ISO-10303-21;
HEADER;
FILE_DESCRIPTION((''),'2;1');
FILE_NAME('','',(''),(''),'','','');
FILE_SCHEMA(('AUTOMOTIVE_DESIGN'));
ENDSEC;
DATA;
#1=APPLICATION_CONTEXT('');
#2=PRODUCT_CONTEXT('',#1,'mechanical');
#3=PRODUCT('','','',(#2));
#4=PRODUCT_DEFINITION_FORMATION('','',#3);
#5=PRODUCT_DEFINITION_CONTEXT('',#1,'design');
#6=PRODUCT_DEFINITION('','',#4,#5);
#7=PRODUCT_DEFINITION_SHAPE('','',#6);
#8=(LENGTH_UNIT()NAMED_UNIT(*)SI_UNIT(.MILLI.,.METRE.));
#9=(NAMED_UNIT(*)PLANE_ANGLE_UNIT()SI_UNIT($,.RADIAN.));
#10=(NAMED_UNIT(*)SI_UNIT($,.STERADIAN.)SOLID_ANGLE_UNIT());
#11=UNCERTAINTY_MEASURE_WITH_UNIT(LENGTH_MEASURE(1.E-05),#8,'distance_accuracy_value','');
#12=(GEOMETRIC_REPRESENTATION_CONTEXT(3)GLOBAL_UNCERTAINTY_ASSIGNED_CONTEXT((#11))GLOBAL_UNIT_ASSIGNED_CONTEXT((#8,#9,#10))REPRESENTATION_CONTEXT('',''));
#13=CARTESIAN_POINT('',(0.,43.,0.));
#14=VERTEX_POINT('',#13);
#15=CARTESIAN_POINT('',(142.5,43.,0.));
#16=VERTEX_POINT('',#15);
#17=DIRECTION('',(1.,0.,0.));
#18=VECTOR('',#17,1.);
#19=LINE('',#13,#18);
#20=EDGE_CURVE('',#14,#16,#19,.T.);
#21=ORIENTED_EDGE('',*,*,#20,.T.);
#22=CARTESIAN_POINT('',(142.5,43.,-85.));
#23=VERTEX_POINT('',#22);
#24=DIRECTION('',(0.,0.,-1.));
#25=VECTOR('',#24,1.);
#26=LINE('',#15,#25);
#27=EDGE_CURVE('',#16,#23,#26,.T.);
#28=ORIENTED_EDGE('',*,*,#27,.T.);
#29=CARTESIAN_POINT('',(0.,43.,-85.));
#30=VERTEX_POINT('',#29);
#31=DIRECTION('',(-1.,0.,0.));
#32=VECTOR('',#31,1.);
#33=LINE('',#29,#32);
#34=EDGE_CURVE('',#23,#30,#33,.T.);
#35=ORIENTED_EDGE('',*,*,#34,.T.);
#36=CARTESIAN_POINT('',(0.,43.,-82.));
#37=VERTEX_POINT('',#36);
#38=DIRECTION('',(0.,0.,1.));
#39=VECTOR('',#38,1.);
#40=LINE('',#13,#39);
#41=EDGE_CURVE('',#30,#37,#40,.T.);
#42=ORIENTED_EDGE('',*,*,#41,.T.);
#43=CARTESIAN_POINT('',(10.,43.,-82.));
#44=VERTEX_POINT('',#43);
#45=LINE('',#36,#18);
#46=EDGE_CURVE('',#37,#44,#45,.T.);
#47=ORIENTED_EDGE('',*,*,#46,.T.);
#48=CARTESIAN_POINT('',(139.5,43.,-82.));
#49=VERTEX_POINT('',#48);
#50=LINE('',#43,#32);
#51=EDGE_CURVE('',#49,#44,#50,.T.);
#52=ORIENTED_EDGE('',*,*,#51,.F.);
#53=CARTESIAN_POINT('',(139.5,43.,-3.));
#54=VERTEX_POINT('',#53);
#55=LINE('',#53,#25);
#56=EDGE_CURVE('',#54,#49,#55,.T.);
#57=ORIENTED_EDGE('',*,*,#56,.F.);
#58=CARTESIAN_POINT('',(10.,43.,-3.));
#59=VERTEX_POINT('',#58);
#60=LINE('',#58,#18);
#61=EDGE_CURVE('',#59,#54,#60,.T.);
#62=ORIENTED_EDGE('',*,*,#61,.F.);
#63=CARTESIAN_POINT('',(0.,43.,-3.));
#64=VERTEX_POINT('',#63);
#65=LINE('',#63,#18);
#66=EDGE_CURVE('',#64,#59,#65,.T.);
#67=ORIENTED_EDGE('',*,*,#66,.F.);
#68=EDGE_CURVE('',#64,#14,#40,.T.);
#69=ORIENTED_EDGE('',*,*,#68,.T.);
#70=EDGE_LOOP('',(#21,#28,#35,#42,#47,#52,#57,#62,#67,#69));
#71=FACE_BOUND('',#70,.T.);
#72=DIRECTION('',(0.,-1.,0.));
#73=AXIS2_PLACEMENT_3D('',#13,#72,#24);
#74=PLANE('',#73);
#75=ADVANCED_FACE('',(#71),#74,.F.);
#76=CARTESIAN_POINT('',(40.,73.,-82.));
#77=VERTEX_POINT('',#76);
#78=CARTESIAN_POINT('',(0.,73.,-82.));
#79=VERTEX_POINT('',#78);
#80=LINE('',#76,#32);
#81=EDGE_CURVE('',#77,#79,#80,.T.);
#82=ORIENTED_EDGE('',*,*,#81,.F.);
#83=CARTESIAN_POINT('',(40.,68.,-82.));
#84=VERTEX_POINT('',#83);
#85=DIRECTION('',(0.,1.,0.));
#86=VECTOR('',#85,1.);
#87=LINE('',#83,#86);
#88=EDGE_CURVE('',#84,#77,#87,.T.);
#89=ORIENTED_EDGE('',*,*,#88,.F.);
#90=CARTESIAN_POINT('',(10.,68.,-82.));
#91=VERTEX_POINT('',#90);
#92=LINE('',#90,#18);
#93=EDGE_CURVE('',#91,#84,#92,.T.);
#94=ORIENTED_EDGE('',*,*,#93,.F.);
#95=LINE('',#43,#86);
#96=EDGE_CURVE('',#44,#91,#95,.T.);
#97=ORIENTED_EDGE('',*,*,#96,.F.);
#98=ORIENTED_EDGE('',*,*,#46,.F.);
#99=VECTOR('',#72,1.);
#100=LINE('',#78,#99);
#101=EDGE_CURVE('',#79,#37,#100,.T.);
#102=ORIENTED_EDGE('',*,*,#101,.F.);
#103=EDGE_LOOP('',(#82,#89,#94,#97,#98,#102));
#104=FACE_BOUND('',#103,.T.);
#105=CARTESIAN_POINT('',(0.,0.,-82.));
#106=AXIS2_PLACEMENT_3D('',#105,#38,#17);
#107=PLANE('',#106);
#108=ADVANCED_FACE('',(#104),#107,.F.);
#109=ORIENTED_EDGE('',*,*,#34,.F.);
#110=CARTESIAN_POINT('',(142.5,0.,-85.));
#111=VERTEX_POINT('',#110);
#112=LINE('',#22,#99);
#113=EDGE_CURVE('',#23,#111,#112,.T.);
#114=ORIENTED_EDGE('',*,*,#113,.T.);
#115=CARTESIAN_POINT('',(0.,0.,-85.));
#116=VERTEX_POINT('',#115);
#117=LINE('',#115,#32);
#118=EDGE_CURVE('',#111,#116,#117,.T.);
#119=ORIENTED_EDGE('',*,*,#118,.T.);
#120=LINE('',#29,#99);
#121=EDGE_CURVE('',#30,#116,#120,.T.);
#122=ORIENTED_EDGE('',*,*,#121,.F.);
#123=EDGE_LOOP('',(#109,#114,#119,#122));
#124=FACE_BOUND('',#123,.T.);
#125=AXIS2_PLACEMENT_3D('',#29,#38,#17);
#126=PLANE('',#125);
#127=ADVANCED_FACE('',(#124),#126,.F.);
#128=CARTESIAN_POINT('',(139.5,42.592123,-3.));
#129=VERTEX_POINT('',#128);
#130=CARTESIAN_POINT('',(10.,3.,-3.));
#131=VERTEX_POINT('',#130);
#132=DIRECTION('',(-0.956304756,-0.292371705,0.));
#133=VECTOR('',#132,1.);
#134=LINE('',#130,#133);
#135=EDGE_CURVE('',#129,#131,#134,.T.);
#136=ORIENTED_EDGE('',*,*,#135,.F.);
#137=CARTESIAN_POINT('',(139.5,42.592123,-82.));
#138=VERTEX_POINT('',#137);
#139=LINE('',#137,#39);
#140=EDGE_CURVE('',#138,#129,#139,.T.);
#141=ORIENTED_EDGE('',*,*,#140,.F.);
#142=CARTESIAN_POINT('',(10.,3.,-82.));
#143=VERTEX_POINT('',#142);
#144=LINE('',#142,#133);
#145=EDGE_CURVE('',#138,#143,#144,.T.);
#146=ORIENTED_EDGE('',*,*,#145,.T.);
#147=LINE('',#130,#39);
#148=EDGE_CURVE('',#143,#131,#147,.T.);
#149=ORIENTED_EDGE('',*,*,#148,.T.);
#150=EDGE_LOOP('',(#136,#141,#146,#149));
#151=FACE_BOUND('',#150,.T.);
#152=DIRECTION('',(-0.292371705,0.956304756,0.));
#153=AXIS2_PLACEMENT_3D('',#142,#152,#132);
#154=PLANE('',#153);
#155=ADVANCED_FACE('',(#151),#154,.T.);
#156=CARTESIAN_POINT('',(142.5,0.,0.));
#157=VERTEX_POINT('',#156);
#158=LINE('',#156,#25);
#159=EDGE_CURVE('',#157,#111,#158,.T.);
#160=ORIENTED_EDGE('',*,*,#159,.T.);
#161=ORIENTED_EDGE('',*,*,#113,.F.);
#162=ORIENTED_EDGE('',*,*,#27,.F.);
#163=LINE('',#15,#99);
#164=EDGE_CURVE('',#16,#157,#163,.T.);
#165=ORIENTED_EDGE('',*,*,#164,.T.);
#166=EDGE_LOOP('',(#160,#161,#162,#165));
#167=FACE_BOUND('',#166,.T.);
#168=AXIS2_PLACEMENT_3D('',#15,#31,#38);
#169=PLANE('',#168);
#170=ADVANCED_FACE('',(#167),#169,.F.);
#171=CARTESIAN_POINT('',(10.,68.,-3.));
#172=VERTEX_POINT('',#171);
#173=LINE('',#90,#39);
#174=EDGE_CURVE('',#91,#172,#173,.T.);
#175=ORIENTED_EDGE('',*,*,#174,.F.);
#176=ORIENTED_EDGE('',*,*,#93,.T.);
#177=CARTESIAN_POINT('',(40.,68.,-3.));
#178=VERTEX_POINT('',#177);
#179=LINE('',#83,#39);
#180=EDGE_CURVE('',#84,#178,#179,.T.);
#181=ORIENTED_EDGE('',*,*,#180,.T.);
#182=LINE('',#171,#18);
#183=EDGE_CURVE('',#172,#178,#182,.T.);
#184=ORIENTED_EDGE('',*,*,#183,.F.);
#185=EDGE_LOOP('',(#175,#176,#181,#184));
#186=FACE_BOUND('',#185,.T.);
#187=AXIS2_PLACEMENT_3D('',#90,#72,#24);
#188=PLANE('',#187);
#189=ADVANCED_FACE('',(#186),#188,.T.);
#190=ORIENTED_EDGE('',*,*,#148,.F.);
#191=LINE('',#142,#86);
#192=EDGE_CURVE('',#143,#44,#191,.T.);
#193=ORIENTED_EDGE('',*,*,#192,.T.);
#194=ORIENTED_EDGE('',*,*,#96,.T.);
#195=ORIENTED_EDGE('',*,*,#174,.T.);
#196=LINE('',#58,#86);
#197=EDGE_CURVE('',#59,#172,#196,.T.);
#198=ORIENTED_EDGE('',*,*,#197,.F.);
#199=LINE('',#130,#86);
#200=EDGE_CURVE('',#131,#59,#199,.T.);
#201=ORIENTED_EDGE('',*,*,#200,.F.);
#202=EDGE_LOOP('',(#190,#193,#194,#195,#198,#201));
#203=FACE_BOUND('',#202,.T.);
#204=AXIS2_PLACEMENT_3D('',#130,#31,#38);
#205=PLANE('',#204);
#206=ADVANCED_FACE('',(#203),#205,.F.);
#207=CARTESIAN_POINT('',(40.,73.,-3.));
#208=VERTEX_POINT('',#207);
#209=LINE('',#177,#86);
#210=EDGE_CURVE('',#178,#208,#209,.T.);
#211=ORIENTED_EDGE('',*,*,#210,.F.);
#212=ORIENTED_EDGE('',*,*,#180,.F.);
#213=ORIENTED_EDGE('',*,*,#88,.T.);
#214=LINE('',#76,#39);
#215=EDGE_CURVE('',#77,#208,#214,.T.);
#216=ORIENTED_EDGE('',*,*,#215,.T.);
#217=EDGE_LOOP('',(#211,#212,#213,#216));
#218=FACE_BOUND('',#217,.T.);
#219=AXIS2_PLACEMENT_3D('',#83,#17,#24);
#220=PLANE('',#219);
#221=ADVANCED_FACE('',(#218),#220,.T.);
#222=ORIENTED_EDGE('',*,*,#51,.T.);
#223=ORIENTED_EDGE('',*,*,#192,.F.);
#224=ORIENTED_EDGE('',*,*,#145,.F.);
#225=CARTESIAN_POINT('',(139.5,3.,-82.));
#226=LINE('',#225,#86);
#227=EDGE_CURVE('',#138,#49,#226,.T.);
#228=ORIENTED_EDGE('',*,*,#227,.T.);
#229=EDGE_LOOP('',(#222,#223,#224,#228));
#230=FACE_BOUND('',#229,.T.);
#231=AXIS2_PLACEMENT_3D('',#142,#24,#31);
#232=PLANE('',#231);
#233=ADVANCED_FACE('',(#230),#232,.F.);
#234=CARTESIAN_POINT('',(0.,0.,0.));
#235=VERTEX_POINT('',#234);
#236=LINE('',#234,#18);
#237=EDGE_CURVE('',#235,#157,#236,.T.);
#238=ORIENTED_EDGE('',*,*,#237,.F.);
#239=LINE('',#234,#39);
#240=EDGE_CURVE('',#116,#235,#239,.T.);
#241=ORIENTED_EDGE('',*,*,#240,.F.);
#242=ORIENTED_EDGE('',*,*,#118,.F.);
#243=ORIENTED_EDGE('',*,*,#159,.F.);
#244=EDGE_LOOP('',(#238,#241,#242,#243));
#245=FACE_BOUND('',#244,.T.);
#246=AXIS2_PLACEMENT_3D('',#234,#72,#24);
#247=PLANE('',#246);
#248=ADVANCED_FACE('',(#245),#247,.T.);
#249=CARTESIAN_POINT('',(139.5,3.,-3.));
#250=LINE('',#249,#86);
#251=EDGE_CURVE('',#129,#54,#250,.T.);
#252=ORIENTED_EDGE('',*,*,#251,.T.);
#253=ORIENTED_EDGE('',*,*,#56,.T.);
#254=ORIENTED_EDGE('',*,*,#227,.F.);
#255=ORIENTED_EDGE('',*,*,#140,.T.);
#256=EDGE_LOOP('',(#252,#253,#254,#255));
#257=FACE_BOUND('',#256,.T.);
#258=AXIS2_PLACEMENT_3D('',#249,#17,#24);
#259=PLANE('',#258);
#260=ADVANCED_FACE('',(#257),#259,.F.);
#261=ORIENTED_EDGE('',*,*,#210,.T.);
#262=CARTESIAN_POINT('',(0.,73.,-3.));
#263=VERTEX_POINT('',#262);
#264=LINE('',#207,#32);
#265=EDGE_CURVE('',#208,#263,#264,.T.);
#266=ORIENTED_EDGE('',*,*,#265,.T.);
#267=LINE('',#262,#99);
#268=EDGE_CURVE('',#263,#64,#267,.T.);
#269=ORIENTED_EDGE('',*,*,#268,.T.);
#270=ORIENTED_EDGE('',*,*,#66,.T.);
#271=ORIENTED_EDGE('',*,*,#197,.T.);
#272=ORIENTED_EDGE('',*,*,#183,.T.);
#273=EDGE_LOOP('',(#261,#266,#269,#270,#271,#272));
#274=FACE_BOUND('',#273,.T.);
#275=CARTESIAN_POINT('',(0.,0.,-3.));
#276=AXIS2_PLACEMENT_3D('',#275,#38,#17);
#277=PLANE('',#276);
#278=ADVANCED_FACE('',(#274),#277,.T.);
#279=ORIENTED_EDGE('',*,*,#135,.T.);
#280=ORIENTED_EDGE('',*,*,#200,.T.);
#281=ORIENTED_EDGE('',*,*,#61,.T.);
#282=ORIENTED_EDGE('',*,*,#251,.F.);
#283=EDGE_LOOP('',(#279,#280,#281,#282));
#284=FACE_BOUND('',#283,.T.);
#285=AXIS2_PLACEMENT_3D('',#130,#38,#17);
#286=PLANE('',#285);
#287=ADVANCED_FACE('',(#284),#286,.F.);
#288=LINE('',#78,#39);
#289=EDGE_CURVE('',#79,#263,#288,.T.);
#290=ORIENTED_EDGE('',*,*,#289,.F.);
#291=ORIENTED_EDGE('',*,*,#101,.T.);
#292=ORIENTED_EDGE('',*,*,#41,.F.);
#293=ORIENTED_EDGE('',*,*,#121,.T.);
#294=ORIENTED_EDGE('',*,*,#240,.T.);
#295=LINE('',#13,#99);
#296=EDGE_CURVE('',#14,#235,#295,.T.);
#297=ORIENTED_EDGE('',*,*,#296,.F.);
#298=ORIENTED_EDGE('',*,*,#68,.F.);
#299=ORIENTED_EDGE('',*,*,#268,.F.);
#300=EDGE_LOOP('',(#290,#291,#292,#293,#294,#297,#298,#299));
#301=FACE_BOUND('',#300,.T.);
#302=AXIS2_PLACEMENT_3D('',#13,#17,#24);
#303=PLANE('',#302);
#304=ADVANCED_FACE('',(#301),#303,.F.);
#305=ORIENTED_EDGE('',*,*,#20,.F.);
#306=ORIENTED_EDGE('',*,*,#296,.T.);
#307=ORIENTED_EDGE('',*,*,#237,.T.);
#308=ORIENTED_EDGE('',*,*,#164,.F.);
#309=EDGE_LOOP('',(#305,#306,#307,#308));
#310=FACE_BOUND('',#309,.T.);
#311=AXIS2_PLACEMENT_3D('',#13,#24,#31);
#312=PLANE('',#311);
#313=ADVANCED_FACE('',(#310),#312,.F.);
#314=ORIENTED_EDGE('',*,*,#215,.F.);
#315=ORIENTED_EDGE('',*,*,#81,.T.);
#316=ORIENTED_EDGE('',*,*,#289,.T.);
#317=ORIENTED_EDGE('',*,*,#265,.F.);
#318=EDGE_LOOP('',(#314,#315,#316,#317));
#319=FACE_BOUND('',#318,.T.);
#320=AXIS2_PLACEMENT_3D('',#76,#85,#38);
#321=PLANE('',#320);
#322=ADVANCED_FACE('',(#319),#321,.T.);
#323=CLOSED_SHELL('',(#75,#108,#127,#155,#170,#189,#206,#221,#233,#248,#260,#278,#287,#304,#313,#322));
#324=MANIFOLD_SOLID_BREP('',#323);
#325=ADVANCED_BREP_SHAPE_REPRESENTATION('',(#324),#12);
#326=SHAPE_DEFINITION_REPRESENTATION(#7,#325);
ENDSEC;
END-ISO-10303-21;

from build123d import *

# Parameters (mm, degrees)
SKETCH1_W           = 142.5
SKETCH1_H           = 85
BOSS_EXTRUDE1_DEPTH = 43
SKETCH2_W           = 129.5
SKETCH2_H           = 79
CUT_EXTRUDE1_DEPTH  = 40
BOSS_EXTRUDE2_DEPTH = 79
BOSS_EXTRUDE3_DEPTH = 79


with BuildPart() as part:
    # Sketch1 → Boss-Extrude1 (new body)
    with BuildSketch(Plane(origin=(0, 0, 0), x_dir=(1, 0, 0), z_dir=(0, 1, 0))):
        with Locations((71.25, 42.5)):
            Rectangle(SKETCH1_W, SKETCH1_H)
    extrude(amount=BOSS_EXTRUDE1_DEPTH)

    # Sketch2 → Cut-Extrude1 (cut)
    with BuildSketch(Plane(origin=(0, 43, 0), x_dir=(1, 0, 0), z_dir=(0, 1, 0))):
        with Locations((74.75, 42.5)):
            Rectangle(SKETCH2_W, SKETCH2_H)
    extrude(amount=-CUT_EXTRUDE1_DEPTH, mode=Mode.SUBTRACT)

    # Sketch5 → Boss-Extrude2 (add)
    with BuildSketch(Plane.XY.offset(-3)):
        Polygon((10, 43), (10, 68), (40, 68), (40, 73), (0, 73), (0, 43), align=None)
    extrude(amount=-BOSS_EXTRUDE2_DEPTH)

    # Sketch6 → Boss-Extrude3 (add)
    with BuildSketch(Plane.XY.offset(-3)):
        Polygon((10, 3), (139.5, 42.592123249), (139.5, 3), align=None)
    extrude(amount=-BOSS_EXTRUDE3_DEPTH)


solid = part.part
